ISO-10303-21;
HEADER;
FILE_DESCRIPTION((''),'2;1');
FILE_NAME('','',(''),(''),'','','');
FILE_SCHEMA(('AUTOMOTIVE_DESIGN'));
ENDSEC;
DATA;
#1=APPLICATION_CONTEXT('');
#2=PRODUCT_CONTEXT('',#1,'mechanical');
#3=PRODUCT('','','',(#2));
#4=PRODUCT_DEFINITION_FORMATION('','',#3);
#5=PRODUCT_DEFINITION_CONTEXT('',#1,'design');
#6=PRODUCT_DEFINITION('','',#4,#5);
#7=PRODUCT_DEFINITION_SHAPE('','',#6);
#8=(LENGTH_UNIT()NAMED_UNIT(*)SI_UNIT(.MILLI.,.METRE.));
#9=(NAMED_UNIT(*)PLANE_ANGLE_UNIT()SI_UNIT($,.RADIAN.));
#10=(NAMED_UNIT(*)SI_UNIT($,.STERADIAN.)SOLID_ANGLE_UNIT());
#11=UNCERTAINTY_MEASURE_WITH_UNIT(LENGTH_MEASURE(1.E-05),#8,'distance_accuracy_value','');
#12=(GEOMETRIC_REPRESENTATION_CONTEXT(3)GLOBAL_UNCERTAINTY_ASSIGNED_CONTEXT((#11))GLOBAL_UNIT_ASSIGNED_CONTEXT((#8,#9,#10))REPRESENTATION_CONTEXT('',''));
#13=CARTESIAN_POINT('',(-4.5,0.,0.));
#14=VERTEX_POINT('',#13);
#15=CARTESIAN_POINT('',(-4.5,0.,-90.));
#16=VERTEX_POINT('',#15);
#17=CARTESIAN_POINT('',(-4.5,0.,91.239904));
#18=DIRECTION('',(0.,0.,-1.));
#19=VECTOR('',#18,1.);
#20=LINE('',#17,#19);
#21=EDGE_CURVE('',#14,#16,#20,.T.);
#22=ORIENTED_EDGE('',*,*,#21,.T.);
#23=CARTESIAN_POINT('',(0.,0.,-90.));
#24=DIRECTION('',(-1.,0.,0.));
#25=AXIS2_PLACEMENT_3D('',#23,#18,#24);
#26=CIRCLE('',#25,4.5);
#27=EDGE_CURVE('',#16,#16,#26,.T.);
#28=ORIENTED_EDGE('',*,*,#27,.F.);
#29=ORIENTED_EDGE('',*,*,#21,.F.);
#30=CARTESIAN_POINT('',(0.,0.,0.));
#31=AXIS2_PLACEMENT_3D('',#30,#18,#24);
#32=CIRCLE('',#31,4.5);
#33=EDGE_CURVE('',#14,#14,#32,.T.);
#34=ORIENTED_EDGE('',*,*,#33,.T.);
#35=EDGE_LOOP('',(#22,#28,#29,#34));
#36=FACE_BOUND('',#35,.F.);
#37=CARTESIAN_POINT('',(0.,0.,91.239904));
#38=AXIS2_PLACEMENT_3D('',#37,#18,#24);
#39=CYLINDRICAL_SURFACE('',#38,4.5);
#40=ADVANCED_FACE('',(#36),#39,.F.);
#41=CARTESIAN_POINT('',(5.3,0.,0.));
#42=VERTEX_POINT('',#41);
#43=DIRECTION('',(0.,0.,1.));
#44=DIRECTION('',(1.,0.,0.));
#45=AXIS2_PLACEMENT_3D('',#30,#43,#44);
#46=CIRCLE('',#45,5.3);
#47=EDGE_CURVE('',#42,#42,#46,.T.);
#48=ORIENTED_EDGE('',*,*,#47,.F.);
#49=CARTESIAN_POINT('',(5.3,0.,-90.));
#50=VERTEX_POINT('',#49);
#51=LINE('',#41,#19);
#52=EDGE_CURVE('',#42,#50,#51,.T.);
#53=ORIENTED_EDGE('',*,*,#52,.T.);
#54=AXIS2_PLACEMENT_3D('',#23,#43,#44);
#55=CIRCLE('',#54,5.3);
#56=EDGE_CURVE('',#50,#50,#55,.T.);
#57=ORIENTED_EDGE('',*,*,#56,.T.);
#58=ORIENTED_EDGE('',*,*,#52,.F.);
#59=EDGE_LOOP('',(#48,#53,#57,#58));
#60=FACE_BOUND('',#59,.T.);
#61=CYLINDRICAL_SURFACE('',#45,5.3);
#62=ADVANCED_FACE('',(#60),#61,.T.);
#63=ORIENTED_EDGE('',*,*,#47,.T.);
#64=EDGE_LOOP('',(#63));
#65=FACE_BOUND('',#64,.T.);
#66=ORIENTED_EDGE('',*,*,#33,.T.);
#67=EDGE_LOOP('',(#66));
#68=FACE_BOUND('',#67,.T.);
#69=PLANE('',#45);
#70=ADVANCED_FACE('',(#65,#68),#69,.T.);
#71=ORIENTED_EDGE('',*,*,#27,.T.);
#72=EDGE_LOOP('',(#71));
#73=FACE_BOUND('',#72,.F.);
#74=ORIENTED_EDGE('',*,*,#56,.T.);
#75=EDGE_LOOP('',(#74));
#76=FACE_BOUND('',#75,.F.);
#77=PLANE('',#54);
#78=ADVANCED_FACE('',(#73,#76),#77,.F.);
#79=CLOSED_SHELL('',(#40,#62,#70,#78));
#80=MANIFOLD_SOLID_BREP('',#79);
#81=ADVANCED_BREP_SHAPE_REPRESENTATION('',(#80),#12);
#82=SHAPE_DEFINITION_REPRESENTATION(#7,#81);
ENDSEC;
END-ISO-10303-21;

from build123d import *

# Parameters (mm, degrees)
F0_R     = 5.3
F2_DEPTH = 90
F3_D     = 9


with BuildPart() as f2:
    # F0 (on Top) → F2 (new body)
    with BuildSketch(Plane.XY):
        Circle(F0_R)
    extrude(amount=-F2_DEPTH)

    # F3 (through all)
    with Locations(Plane.XY):
        with Locations((0, 0)):
            Hole(F3_D / 2)


solid = f2.part
